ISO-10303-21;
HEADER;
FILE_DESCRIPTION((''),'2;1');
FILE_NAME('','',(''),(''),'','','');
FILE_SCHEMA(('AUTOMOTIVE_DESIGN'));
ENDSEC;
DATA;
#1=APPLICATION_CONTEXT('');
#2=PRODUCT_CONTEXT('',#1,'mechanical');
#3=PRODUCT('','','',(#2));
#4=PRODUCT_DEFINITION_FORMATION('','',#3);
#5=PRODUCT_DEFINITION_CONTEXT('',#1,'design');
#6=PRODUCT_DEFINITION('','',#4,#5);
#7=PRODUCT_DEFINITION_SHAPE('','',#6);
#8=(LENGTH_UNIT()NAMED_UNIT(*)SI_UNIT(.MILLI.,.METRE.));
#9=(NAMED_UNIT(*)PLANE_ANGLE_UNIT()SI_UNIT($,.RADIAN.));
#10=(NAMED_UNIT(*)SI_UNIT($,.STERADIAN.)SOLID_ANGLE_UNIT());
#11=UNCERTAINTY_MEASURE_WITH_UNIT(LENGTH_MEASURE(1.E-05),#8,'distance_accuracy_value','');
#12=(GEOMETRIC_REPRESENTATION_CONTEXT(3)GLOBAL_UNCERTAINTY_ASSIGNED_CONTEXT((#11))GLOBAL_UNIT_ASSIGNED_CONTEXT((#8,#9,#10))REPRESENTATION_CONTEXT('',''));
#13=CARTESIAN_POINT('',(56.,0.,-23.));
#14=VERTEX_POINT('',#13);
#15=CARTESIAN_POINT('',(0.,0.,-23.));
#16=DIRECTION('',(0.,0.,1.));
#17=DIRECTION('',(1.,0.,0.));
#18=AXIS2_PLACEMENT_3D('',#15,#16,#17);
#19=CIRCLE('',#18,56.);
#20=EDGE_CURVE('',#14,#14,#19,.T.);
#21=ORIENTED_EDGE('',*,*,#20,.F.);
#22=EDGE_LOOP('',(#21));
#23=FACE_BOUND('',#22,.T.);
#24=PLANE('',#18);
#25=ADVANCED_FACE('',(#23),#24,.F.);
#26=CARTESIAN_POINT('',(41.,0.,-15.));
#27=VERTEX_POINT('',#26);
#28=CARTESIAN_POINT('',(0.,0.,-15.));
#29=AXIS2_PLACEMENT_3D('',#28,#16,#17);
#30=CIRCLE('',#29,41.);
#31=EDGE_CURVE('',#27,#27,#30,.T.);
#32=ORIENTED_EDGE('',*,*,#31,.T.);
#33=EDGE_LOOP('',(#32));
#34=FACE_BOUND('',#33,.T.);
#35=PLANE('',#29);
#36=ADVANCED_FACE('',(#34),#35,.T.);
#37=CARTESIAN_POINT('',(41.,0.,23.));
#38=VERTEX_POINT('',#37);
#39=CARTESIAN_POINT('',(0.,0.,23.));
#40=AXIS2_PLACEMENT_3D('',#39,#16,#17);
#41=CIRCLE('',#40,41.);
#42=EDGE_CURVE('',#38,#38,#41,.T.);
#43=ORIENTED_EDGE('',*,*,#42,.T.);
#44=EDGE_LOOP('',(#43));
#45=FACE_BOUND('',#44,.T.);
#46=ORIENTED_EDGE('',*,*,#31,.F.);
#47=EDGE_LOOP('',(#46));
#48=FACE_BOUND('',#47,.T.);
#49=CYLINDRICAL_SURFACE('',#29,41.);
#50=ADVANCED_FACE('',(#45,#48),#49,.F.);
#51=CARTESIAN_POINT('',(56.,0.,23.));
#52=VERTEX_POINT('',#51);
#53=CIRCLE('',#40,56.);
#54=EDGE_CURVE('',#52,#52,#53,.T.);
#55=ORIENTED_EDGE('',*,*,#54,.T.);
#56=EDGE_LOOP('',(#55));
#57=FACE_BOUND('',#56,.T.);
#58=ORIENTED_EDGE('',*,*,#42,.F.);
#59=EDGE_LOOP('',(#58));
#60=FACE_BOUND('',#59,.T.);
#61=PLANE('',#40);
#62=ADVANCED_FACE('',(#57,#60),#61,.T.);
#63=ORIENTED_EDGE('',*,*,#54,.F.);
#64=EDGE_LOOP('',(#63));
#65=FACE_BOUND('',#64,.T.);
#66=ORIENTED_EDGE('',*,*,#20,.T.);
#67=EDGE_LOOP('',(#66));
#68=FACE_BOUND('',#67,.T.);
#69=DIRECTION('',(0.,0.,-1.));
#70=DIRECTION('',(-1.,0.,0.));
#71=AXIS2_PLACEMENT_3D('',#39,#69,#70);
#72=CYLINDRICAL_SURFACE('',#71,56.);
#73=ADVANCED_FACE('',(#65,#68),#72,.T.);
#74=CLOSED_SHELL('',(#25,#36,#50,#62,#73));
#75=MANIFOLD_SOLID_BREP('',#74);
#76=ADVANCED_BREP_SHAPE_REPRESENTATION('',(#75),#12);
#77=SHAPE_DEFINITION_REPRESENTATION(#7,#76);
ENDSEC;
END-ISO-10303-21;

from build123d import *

# Parameters (mm, degrees)
CROQUIS1_R              = 56
SALIENTE_EXTRUIR1_DEPTH = 23
CROQUIS2_R              = 41
CORTAR_EXTRUIR1_DEPTH   = 38


with BuildPart() as part:
    # Croquis1 → Saliente-Extruir1 (new, symmetric)
    with BuildSketch(Plane.XY):
        Circle(CROQUIS1_R)
    extrude(amount=SALIENTE_EXTRUIR1_DEPTH, both=True)

    # Croquis2 → Cortar-Extruir1 (cut)
    with BuildSketch(Plane.XY.offset(23)):
        Circle(CROQUIS2_R)
    extrude(amount=-CORTAR_EXTRUIR1_DEPTH, mode=Mode.SUBTRACT)


solid = part.part
